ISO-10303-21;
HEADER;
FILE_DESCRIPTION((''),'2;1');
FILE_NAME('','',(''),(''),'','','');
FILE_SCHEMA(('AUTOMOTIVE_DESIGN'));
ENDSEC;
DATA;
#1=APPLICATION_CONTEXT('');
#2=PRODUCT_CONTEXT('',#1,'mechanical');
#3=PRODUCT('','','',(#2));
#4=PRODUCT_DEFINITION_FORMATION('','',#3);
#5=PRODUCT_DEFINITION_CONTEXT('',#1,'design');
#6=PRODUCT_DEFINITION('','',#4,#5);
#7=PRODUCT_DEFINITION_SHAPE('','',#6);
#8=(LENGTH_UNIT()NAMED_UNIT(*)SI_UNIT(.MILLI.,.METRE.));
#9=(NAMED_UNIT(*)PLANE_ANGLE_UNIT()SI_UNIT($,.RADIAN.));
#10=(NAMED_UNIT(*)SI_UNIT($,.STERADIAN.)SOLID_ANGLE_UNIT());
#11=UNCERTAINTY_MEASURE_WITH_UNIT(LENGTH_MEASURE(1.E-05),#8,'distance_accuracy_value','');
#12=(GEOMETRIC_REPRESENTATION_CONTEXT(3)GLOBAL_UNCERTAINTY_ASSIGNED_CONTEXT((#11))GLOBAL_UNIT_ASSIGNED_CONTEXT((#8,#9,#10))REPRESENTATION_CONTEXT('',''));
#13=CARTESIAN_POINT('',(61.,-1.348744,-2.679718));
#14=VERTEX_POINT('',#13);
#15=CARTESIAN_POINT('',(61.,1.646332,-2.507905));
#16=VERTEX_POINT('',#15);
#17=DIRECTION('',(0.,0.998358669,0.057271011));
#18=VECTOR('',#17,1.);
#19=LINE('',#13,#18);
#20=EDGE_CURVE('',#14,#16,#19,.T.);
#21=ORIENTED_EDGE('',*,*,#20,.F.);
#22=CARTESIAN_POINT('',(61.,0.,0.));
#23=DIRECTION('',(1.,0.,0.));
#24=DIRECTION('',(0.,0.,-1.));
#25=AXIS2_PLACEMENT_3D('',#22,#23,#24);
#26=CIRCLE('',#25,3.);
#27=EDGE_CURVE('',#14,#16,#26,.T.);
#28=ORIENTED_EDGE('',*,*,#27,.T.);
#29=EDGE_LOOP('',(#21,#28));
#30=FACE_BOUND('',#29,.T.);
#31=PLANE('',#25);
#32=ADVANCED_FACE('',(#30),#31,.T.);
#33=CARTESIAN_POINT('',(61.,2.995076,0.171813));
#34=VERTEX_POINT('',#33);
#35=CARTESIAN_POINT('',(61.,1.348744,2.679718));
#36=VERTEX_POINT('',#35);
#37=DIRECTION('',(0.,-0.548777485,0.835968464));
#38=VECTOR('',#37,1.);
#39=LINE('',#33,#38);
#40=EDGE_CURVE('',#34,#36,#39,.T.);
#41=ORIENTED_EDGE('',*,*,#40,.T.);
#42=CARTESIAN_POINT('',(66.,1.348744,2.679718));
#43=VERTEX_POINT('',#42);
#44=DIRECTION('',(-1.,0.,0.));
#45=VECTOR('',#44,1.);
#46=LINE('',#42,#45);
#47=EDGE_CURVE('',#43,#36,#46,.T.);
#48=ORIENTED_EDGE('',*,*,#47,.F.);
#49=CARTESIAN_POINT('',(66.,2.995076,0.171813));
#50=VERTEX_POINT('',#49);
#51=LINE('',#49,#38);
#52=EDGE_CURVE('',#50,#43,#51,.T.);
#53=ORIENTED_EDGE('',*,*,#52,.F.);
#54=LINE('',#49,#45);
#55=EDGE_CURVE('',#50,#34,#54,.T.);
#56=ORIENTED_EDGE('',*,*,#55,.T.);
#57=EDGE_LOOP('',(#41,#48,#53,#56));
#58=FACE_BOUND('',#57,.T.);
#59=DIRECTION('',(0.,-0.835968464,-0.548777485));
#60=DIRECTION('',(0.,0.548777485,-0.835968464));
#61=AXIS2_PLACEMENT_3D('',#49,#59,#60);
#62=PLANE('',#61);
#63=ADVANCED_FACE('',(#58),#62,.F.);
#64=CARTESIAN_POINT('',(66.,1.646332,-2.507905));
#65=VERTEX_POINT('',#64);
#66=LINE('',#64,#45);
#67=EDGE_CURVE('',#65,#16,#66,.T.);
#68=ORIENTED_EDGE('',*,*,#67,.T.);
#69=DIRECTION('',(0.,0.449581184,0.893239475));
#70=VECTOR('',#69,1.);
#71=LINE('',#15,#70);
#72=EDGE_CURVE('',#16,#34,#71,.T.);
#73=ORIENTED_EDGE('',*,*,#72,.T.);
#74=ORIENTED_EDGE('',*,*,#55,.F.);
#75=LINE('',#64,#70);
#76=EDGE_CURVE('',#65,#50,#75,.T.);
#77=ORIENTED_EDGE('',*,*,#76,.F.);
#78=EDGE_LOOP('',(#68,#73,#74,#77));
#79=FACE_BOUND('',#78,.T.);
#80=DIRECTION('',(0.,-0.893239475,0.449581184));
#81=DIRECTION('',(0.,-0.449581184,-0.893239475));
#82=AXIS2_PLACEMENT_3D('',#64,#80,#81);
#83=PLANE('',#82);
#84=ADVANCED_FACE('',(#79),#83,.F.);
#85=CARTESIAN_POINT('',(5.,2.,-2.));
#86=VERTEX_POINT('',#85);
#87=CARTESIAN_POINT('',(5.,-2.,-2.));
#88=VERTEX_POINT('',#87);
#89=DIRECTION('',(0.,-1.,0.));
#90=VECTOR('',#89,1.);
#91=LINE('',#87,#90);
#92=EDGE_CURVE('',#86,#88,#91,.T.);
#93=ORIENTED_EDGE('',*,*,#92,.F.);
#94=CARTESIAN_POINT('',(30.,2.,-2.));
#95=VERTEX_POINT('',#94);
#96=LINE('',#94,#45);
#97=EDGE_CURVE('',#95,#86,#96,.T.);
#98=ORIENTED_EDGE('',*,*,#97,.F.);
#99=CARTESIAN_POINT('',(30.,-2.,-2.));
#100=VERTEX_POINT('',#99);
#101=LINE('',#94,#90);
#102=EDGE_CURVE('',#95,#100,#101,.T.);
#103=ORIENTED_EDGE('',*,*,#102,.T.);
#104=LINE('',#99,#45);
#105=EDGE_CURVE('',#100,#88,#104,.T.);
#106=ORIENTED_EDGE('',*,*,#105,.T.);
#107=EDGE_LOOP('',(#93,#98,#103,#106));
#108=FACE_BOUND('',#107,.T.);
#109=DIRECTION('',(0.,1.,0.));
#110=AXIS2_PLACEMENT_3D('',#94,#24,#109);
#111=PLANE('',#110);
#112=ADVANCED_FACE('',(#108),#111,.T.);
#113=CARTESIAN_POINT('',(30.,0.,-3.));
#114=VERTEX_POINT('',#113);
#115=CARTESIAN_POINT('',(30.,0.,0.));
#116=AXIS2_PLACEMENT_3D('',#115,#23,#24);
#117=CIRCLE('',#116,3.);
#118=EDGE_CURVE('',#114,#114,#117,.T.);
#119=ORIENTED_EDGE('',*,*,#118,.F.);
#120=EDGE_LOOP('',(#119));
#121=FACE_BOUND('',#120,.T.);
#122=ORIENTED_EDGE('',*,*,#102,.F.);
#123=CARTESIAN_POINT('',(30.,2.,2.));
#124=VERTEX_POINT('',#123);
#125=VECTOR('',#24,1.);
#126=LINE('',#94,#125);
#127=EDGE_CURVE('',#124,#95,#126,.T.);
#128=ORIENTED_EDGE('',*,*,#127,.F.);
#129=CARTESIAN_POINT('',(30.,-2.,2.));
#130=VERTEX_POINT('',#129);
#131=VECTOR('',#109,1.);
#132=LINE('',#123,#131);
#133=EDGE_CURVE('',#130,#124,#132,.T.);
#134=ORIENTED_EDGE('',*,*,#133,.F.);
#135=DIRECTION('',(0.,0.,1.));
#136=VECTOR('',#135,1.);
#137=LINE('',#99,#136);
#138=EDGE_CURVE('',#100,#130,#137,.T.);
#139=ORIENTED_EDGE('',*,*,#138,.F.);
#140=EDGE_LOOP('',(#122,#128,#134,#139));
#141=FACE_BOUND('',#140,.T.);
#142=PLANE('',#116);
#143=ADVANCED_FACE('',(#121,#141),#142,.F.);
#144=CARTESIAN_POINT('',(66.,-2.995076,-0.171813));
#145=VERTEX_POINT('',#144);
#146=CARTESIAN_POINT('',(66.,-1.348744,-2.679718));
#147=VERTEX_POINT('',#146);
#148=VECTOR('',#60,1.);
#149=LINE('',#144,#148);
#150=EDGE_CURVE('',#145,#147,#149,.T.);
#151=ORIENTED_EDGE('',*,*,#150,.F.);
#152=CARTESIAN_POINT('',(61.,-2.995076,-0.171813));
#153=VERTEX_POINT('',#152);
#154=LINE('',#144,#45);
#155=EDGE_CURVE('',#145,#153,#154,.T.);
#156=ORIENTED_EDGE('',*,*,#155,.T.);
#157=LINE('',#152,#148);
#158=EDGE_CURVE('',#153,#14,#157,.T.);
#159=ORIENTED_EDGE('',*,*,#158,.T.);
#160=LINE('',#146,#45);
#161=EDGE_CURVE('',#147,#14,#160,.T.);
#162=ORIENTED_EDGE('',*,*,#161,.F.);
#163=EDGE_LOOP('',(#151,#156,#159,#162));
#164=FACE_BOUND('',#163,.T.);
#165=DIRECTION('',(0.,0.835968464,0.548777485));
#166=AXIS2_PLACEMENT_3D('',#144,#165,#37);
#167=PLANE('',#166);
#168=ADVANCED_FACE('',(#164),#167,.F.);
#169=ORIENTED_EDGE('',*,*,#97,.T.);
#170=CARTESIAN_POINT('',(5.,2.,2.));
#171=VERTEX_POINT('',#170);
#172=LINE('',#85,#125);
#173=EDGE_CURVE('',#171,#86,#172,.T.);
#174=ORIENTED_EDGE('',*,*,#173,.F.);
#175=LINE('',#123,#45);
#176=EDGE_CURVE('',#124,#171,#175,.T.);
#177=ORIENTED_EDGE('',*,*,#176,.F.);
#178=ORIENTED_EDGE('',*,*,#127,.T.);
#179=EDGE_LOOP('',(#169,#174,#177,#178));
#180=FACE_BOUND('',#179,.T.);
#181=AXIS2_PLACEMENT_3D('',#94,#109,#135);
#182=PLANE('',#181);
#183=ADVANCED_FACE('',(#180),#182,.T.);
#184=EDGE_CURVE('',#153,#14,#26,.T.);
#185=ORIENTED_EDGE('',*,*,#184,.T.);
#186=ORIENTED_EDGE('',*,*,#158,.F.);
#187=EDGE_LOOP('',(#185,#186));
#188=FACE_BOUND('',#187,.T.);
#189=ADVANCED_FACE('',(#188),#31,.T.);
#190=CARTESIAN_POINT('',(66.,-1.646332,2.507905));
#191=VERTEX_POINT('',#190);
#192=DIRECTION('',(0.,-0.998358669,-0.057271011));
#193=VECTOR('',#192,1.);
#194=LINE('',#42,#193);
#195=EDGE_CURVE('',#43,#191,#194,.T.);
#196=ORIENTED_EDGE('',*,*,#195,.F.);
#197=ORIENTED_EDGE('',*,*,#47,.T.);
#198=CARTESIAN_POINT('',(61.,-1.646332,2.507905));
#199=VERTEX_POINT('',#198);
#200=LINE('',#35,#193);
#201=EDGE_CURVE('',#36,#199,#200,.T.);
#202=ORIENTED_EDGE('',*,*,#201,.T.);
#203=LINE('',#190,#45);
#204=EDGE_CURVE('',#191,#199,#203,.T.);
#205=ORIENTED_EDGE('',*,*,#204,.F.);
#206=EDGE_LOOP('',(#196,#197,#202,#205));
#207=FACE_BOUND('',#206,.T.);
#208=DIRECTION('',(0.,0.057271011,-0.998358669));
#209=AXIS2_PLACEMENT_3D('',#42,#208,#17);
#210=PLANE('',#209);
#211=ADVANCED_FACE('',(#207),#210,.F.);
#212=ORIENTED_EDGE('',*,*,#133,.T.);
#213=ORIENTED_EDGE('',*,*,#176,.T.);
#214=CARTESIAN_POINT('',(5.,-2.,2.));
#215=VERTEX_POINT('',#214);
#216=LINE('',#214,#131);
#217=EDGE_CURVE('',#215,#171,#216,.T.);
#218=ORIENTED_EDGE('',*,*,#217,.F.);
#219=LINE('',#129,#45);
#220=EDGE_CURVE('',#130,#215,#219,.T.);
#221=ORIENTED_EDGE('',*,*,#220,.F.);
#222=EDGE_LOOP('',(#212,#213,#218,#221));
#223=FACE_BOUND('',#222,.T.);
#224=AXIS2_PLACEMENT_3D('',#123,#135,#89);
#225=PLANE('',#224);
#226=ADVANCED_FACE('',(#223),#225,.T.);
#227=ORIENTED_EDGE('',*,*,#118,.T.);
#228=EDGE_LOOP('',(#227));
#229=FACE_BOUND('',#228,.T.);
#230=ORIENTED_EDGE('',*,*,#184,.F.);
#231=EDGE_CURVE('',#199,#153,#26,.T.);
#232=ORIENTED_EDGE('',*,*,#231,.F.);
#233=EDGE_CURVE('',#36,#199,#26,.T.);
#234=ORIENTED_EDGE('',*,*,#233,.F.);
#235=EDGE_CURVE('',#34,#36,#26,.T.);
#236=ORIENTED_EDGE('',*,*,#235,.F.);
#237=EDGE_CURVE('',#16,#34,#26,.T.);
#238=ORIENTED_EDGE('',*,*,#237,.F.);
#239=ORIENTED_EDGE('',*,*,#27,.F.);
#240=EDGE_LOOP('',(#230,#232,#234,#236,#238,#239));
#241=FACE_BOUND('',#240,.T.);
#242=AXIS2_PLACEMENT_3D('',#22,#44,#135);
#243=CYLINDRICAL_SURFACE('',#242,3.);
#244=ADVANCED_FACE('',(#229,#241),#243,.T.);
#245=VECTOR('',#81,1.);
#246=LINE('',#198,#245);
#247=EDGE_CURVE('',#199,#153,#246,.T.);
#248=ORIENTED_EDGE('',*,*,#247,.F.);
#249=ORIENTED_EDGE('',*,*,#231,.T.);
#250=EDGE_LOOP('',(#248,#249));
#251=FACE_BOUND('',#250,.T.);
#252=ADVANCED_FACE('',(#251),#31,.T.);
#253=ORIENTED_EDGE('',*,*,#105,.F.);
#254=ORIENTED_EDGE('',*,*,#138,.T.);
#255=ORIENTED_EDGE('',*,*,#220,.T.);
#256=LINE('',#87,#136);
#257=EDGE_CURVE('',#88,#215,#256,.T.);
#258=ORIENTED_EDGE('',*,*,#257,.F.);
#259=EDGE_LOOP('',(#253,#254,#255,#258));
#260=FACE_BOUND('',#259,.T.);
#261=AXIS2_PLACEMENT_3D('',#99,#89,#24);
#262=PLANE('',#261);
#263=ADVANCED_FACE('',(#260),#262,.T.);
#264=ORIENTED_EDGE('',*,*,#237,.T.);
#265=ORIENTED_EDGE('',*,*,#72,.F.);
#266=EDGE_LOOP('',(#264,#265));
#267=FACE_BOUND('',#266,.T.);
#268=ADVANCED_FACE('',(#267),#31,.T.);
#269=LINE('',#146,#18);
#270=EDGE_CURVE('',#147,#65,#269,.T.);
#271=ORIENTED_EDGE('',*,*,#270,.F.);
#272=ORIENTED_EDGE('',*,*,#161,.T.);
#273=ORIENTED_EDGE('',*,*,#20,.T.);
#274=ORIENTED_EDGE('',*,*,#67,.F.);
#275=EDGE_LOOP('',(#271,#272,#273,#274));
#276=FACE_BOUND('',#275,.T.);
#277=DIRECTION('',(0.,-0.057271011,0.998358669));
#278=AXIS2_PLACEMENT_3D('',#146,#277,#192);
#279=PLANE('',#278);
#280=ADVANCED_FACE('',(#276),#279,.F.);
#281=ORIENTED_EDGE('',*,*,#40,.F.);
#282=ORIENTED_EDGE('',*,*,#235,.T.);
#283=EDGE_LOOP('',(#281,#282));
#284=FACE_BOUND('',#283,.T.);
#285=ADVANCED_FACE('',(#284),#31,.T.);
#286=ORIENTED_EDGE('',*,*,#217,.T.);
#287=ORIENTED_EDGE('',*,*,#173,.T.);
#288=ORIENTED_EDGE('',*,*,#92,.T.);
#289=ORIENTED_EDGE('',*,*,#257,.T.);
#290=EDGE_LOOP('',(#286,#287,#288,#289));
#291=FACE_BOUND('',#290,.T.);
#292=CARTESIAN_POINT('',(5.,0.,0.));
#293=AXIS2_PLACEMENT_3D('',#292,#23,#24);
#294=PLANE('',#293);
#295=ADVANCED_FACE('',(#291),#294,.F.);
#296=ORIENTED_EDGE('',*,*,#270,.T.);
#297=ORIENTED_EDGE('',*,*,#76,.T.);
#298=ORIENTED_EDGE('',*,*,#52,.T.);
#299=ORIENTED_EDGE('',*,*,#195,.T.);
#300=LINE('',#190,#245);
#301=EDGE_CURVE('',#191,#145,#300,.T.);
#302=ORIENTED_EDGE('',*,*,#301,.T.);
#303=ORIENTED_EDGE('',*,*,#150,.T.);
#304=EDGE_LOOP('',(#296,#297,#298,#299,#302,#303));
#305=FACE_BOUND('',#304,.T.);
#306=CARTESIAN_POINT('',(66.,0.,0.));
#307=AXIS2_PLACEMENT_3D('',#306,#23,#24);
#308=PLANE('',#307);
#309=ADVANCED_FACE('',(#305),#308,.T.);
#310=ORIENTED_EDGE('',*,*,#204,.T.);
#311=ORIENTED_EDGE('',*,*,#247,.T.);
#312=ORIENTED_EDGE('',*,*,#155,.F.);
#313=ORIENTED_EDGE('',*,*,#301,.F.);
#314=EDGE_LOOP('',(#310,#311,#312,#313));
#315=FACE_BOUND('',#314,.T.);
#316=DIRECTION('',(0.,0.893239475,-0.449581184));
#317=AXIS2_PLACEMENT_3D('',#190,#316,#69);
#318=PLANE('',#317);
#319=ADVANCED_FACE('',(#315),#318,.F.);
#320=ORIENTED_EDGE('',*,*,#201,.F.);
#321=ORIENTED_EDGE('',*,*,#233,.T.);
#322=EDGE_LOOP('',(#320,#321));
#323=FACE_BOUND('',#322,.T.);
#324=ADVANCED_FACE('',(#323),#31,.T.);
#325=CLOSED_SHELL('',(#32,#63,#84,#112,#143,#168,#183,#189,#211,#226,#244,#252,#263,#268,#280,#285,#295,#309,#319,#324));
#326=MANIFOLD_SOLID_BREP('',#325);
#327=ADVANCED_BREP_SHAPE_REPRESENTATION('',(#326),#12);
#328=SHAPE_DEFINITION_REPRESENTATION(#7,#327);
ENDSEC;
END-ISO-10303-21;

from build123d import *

# Parameters (mm, degrees)
SKETCH3_R           = 3
BOSS_EXTRUDE1_DEPTH = 31
BOSS_EXTRUDE4_DEPTH = 5
SKETCH18_W          = 4
SKETCH18_H          = 4
BOSS_EXTRUDE5_DEPTH = 30
SKETCH21_W          = 4
SKETCH21_H          = 4
CUT_EXTRUDE1_DEPTH  = 5


with BuildPart() as part:
    # Sketch1 → Loft1 section 0
    with BuildSketch(Plane(origin=(0, 0, 0), x_dir=(0, 0, -1), z_dir=(1, 0, 0))):
        with BuildLine():
            Line((-1, -1), (1, -1))
            Line((1, -1), (1, 1))
            Line((1, 1), (-1, 1))
            Line((-1, 1), (-1, -1))
        make_face()
    # Sketch2 → Loft1 section 1
    with BuildSketch(Plane(origin=(30, 0, 0), x_dir=(0, 0, -1), z_dir=(1, 0, 0))):
        with BuildLine():
            Line((-1, -1), (1, -1))
            Line((1, -1), (1, 1))
            Line((1, 1), (-1, 1))
            Line((-1, 1), (-1, -1))
        make_face()
    loft()

    # Sketch3 → Boss-Extrude1 (add)
    with BuildSketch(Plane(origin=(30, 0, 0), x_dir=(0, 0, -1), z_dir=(1, 0, 0))):
        Circle(SKETCH3_R)
    extrude(amount=BOSS_EXTRUDE1_DEPTH)

    # Sketch17 → Boss-Extrude4 (add)
    with BuildSketch(Plane(origin=(61, 0, 0), x_dir=(0, 0, -1), z_dir=(1, 0, 0))):
        Polygon((2.507905391, 1.646332454), (-0.171813033, 2.995076006), (-2.679718424, 1.348743552), (-2.507905391, -1.646332454), (0.171813033, -2.995076006), (2.679718424, -1.348743552), align=None)
    extrude(amount=BOSS_EXTRUDE4_DEPTH)

    # Sketch18 → Boss-Extrude5 (add)
    with BuildSketch(Plane.ZY):
        Rectangle(SKETCH18_W, SKETCH18_H)
    extrude(amount=-BOSS_EXTRUDE5_DEPTH)

    # Sketch21 → Cut-Extrude1 (cut)
    with BuildSketch(Plane.ZY):
        Rectangle(SKETCH21_W, SKETCH21_H)
    extrude(amount=-CUT_EXTRUDE1_DEPTH, mode=Mode.SUBTRACT)


solid = part.part
